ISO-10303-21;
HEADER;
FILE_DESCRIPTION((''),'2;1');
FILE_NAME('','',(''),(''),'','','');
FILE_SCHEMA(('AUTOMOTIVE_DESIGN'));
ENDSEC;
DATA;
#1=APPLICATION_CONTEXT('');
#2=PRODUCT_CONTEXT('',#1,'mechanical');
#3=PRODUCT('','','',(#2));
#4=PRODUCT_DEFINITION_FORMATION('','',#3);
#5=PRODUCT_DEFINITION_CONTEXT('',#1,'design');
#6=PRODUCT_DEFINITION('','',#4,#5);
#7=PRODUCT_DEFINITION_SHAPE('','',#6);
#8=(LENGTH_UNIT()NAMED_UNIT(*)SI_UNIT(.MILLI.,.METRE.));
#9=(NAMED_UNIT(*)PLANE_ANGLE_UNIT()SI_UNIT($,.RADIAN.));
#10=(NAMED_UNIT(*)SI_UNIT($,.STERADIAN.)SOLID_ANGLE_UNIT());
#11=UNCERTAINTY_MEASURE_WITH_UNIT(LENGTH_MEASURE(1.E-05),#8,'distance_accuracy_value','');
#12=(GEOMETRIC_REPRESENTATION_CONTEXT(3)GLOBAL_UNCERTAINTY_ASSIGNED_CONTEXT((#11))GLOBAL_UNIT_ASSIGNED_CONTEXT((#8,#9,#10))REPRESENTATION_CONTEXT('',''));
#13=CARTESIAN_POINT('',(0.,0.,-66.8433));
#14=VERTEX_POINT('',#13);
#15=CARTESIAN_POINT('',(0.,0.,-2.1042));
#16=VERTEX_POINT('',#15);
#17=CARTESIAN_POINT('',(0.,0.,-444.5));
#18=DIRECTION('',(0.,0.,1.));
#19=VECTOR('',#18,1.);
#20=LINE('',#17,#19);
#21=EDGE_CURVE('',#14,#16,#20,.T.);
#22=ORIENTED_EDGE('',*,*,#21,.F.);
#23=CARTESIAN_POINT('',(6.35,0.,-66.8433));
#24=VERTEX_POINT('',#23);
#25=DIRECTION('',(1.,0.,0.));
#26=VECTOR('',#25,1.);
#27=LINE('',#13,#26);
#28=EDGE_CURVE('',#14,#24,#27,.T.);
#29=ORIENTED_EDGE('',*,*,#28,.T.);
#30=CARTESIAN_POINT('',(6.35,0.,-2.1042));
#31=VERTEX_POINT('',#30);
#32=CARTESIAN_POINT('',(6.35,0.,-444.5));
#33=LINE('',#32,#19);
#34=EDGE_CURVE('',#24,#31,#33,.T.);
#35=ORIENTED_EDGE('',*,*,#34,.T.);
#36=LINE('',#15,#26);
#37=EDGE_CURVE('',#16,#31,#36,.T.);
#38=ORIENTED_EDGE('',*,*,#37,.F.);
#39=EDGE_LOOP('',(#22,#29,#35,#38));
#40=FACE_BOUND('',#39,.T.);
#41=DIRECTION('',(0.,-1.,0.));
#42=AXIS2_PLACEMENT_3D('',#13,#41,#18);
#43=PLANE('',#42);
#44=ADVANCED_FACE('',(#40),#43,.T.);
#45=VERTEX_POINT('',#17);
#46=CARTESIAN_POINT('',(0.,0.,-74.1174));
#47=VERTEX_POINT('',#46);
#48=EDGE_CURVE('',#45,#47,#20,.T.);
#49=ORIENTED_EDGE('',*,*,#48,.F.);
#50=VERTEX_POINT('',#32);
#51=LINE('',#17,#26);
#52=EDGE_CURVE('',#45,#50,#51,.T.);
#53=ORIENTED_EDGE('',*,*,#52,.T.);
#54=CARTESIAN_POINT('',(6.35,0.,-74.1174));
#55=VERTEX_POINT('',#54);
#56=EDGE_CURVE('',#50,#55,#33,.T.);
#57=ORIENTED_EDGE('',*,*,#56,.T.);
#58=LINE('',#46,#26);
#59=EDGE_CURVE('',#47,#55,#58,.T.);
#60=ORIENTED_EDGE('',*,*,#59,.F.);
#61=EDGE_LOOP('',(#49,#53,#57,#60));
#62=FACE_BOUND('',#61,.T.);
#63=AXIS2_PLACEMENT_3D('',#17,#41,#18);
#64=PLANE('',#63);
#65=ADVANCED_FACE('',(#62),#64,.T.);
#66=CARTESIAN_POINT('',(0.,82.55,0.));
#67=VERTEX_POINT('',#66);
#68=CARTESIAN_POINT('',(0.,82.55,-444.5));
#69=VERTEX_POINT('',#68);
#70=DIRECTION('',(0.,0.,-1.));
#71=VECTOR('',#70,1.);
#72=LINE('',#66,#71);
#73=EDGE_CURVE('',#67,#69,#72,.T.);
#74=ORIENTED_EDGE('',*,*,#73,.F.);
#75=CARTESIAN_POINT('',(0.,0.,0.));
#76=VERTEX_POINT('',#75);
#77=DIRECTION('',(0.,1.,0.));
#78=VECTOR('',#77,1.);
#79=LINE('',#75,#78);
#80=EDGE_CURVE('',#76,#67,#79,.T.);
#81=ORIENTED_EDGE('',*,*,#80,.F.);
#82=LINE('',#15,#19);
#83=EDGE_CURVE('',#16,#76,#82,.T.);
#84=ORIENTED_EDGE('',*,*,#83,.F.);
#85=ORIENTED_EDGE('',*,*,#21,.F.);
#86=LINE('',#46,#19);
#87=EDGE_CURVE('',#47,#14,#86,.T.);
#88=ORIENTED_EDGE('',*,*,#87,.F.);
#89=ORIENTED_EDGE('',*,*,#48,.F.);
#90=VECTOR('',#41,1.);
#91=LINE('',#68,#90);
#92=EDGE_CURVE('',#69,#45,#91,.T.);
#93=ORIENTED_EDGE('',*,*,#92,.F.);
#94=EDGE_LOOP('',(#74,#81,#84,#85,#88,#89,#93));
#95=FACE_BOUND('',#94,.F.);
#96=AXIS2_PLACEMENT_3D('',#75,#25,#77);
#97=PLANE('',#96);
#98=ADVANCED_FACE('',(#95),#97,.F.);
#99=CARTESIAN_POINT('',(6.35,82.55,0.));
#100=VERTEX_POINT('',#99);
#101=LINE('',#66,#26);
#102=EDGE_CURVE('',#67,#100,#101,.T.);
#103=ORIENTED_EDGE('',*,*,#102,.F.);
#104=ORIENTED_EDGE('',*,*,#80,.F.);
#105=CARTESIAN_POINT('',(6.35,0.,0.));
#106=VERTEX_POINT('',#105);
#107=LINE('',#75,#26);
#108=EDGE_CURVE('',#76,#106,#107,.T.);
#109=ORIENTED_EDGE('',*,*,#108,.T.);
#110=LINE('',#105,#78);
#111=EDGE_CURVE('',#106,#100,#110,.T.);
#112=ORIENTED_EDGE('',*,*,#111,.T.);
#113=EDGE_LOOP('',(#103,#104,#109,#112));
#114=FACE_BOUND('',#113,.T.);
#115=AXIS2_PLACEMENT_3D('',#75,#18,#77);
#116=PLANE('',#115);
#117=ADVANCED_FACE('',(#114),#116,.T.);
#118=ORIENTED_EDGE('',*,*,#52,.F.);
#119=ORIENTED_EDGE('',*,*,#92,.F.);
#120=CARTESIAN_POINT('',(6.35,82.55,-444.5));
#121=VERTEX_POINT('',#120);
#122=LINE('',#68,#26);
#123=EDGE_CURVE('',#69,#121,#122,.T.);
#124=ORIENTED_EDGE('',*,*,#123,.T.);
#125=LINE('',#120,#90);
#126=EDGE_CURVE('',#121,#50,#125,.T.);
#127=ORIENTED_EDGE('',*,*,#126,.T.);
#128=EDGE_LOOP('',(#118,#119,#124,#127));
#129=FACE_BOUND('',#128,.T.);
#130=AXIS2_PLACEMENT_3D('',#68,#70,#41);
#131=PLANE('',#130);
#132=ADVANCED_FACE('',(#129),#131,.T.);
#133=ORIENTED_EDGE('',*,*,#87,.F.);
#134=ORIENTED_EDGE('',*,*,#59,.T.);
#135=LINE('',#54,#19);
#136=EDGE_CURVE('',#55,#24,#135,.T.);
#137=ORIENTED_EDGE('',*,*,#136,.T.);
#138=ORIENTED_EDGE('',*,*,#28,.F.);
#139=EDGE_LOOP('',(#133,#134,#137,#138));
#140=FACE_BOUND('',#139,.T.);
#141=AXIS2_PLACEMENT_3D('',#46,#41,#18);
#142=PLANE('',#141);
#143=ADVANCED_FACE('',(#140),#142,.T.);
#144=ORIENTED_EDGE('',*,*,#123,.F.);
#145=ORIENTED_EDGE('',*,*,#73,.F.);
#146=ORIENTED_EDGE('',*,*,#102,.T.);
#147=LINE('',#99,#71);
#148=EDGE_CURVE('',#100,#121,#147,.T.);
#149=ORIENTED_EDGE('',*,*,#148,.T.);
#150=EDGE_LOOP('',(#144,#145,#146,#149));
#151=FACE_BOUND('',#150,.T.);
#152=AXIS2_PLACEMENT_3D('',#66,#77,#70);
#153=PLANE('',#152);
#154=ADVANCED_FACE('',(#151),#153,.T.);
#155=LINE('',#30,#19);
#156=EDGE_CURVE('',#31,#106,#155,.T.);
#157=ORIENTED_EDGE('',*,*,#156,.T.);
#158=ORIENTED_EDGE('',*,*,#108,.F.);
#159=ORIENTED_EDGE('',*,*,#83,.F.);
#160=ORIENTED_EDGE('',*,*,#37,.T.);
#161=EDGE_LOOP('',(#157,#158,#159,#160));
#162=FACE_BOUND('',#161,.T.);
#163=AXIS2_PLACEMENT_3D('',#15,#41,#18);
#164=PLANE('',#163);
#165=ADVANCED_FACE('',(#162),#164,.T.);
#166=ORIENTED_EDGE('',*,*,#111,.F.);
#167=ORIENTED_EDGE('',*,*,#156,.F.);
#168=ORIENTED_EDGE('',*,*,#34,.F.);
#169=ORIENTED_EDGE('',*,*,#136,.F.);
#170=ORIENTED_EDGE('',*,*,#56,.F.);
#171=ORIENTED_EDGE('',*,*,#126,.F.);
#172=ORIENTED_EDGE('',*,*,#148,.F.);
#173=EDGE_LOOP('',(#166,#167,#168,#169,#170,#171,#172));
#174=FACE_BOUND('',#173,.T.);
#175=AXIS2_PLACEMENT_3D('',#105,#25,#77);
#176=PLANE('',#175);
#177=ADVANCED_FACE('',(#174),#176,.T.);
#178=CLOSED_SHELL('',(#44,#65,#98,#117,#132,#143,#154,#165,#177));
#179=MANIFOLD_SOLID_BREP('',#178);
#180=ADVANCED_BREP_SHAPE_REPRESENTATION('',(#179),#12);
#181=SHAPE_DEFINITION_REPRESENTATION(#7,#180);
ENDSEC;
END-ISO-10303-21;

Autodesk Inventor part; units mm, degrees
ref_plane "YZ Plane" through (0, 0, 0) normal (1, 0, 0) x (0, 1, 0)
ref_plane "XZ Plane" through (0, 0, 0) normal (0, 1, 0) x (-1, 0, 0)
ref_plane "XY Plane" through (0, 0, 0) normal (0, 0, 1) x (1, 0, 0)
sketch "Sketch1" plane through (0, 0, 0) normal (1, 0, 0) x (0, 1, 0)
  line L0 (444.5, 0) -> (444.5, -2.1042)
  line L1 (0, -2.1042) -> (0, 0)
  line L2 (0, -74.1174) -> (0, -66.8433)
  line L3 (0, 0) -> (82.55, 0)
  line L4 (82.55, 0) -> (82.55, -444.5)
  line L5 (82.55, -444.5) -> (0, -444.5)
  line L6 (0, -444.5) -> (0, 0)
  point P0 (25.4, -50.8)
  point P1 (25.4, -393.7)
  dimension "d2" = 82.55
  dimension "d3" = 444.5
  dimension "d4" = 50.8
  dimension "d5" = 25.4
  dimension "d6" = 50.8
  dimension "d7" = 25.4
extrude "Extrusion1" add sketch "Sketch1" along normal blind 6.35
properties part number "DriveTrainPlate"
